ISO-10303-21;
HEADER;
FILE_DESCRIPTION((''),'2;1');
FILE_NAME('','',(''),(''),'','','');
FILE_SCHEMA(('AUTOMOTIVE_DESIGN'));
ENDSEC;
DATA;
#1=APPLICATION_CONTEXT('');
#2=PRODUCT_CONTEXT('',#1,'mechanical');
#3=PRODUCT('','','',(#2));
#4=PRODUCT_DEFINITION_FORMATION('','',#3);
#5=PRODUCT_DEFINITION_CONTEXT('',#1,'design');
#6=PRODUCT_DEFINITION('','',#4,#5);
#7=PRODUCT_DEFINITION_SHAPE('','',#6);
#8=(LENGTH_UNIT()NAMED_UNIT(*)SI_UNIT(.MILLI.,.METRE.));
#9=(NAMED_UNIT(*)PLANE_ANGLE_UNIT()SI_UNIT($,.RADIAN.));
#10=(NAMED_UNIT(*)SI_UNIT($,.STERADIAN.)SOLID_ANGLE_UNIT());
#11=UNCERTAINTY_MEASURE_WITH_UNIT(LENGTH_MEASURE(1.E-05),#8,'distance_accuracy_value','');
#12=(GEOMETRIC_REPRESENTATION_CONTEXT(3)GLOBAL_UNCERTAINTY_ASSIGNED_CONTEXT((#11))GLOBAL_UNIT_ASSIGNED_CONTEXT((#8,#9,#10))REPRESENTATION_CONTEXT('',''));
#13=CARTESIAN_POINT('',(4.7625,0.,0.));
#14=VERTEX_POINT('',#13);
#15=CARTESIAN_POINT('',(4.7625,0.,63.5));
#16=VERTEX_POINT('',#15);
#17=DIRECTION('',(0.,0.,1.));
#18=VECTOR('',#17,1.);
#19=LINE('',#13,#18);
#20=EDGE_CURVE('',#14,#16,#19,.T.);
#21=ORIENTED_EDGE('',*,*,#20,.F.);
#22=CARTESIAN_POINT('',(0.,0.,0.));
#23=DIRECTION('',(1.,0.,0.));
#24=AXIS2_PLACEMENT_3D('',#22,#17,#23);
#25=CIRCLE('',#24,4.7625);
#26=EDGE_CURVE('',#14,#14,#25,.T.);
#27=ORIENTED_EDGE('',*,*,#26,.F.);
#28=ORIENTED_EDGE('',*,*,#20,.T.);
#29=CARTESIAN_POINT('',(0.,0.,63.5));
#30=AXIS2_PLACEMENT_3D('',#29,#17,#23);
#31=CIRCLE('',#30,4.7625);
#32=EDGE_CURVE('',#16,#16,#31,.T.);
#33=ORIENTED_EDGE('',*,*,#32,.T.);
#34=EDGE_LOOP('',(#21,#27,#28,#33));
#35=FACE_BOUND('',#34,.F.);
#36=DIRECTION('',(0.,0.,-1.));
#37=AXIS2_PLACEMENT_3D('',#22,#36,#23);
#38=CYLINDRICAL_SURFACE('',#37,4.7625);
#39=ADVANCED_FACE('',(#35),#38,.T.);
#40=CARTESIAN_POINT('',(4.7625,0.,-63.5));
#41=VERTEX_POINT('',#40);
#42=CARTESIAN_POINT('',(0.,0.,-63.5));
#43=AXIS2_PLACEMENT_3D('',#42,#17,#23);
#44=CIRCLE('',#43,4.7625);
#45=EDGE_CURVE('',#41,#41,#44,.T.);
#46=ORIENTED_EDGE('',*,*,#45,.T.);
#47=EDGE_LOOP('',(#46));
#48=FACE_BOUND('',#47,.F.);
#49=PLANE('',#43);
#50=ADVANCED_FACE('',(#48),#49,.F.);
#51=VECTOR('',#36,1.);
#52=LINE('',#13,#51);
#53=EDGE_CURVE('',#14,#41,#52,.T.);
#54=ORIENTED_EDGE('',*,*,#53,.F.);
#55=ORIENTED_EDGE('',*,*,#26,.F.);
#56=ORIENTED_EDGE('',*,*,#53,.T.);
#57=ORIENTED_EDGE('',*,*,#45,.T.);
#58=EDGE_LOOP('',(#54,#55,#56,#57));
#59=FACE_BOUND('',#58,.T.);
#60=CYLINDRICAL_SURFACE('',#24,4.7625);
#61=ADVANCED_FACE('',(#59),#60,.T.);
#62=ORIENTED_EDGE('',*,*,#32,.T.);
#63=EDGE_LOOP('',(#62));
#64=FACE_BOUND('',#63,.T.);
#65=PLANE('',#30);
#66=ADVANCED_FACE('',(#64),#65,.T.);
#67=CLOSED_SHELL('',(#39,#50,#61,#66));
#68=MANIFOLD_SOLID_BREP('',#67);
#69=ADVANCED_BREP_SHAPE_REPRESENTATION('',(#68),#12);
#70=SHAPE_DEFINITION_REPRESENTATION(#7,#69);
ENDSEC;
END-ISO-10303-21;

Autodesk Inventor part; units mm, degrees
ref_plane "YZ Plane" through (0, 0, 0) normal (1, 0, 0) x (0, 1, 0)
ref_plane "XZ Plane" through (0, 0, 0) normal (0, 1, 0) x (-1, 0, 0)
sketch "Sketch1" plane through (0, 0, 0) normal (0, 0, 1) x (1, 0, 0)
  circle A0 centre (0, 0) radius 4.7625
  dimension "d0" = 9.525
extrude "Extrusion1" add sketch "Sketch1" along normal mid plane 127
equation "\"d0\" = axelDiam"
equation "\"d1\" = axelLength"
equation "\"axelDiam\" = 9.525"
equation "\"axelLength\" = 127"
properties part number "basicLeftAxel" material "Aluminum 6061"
